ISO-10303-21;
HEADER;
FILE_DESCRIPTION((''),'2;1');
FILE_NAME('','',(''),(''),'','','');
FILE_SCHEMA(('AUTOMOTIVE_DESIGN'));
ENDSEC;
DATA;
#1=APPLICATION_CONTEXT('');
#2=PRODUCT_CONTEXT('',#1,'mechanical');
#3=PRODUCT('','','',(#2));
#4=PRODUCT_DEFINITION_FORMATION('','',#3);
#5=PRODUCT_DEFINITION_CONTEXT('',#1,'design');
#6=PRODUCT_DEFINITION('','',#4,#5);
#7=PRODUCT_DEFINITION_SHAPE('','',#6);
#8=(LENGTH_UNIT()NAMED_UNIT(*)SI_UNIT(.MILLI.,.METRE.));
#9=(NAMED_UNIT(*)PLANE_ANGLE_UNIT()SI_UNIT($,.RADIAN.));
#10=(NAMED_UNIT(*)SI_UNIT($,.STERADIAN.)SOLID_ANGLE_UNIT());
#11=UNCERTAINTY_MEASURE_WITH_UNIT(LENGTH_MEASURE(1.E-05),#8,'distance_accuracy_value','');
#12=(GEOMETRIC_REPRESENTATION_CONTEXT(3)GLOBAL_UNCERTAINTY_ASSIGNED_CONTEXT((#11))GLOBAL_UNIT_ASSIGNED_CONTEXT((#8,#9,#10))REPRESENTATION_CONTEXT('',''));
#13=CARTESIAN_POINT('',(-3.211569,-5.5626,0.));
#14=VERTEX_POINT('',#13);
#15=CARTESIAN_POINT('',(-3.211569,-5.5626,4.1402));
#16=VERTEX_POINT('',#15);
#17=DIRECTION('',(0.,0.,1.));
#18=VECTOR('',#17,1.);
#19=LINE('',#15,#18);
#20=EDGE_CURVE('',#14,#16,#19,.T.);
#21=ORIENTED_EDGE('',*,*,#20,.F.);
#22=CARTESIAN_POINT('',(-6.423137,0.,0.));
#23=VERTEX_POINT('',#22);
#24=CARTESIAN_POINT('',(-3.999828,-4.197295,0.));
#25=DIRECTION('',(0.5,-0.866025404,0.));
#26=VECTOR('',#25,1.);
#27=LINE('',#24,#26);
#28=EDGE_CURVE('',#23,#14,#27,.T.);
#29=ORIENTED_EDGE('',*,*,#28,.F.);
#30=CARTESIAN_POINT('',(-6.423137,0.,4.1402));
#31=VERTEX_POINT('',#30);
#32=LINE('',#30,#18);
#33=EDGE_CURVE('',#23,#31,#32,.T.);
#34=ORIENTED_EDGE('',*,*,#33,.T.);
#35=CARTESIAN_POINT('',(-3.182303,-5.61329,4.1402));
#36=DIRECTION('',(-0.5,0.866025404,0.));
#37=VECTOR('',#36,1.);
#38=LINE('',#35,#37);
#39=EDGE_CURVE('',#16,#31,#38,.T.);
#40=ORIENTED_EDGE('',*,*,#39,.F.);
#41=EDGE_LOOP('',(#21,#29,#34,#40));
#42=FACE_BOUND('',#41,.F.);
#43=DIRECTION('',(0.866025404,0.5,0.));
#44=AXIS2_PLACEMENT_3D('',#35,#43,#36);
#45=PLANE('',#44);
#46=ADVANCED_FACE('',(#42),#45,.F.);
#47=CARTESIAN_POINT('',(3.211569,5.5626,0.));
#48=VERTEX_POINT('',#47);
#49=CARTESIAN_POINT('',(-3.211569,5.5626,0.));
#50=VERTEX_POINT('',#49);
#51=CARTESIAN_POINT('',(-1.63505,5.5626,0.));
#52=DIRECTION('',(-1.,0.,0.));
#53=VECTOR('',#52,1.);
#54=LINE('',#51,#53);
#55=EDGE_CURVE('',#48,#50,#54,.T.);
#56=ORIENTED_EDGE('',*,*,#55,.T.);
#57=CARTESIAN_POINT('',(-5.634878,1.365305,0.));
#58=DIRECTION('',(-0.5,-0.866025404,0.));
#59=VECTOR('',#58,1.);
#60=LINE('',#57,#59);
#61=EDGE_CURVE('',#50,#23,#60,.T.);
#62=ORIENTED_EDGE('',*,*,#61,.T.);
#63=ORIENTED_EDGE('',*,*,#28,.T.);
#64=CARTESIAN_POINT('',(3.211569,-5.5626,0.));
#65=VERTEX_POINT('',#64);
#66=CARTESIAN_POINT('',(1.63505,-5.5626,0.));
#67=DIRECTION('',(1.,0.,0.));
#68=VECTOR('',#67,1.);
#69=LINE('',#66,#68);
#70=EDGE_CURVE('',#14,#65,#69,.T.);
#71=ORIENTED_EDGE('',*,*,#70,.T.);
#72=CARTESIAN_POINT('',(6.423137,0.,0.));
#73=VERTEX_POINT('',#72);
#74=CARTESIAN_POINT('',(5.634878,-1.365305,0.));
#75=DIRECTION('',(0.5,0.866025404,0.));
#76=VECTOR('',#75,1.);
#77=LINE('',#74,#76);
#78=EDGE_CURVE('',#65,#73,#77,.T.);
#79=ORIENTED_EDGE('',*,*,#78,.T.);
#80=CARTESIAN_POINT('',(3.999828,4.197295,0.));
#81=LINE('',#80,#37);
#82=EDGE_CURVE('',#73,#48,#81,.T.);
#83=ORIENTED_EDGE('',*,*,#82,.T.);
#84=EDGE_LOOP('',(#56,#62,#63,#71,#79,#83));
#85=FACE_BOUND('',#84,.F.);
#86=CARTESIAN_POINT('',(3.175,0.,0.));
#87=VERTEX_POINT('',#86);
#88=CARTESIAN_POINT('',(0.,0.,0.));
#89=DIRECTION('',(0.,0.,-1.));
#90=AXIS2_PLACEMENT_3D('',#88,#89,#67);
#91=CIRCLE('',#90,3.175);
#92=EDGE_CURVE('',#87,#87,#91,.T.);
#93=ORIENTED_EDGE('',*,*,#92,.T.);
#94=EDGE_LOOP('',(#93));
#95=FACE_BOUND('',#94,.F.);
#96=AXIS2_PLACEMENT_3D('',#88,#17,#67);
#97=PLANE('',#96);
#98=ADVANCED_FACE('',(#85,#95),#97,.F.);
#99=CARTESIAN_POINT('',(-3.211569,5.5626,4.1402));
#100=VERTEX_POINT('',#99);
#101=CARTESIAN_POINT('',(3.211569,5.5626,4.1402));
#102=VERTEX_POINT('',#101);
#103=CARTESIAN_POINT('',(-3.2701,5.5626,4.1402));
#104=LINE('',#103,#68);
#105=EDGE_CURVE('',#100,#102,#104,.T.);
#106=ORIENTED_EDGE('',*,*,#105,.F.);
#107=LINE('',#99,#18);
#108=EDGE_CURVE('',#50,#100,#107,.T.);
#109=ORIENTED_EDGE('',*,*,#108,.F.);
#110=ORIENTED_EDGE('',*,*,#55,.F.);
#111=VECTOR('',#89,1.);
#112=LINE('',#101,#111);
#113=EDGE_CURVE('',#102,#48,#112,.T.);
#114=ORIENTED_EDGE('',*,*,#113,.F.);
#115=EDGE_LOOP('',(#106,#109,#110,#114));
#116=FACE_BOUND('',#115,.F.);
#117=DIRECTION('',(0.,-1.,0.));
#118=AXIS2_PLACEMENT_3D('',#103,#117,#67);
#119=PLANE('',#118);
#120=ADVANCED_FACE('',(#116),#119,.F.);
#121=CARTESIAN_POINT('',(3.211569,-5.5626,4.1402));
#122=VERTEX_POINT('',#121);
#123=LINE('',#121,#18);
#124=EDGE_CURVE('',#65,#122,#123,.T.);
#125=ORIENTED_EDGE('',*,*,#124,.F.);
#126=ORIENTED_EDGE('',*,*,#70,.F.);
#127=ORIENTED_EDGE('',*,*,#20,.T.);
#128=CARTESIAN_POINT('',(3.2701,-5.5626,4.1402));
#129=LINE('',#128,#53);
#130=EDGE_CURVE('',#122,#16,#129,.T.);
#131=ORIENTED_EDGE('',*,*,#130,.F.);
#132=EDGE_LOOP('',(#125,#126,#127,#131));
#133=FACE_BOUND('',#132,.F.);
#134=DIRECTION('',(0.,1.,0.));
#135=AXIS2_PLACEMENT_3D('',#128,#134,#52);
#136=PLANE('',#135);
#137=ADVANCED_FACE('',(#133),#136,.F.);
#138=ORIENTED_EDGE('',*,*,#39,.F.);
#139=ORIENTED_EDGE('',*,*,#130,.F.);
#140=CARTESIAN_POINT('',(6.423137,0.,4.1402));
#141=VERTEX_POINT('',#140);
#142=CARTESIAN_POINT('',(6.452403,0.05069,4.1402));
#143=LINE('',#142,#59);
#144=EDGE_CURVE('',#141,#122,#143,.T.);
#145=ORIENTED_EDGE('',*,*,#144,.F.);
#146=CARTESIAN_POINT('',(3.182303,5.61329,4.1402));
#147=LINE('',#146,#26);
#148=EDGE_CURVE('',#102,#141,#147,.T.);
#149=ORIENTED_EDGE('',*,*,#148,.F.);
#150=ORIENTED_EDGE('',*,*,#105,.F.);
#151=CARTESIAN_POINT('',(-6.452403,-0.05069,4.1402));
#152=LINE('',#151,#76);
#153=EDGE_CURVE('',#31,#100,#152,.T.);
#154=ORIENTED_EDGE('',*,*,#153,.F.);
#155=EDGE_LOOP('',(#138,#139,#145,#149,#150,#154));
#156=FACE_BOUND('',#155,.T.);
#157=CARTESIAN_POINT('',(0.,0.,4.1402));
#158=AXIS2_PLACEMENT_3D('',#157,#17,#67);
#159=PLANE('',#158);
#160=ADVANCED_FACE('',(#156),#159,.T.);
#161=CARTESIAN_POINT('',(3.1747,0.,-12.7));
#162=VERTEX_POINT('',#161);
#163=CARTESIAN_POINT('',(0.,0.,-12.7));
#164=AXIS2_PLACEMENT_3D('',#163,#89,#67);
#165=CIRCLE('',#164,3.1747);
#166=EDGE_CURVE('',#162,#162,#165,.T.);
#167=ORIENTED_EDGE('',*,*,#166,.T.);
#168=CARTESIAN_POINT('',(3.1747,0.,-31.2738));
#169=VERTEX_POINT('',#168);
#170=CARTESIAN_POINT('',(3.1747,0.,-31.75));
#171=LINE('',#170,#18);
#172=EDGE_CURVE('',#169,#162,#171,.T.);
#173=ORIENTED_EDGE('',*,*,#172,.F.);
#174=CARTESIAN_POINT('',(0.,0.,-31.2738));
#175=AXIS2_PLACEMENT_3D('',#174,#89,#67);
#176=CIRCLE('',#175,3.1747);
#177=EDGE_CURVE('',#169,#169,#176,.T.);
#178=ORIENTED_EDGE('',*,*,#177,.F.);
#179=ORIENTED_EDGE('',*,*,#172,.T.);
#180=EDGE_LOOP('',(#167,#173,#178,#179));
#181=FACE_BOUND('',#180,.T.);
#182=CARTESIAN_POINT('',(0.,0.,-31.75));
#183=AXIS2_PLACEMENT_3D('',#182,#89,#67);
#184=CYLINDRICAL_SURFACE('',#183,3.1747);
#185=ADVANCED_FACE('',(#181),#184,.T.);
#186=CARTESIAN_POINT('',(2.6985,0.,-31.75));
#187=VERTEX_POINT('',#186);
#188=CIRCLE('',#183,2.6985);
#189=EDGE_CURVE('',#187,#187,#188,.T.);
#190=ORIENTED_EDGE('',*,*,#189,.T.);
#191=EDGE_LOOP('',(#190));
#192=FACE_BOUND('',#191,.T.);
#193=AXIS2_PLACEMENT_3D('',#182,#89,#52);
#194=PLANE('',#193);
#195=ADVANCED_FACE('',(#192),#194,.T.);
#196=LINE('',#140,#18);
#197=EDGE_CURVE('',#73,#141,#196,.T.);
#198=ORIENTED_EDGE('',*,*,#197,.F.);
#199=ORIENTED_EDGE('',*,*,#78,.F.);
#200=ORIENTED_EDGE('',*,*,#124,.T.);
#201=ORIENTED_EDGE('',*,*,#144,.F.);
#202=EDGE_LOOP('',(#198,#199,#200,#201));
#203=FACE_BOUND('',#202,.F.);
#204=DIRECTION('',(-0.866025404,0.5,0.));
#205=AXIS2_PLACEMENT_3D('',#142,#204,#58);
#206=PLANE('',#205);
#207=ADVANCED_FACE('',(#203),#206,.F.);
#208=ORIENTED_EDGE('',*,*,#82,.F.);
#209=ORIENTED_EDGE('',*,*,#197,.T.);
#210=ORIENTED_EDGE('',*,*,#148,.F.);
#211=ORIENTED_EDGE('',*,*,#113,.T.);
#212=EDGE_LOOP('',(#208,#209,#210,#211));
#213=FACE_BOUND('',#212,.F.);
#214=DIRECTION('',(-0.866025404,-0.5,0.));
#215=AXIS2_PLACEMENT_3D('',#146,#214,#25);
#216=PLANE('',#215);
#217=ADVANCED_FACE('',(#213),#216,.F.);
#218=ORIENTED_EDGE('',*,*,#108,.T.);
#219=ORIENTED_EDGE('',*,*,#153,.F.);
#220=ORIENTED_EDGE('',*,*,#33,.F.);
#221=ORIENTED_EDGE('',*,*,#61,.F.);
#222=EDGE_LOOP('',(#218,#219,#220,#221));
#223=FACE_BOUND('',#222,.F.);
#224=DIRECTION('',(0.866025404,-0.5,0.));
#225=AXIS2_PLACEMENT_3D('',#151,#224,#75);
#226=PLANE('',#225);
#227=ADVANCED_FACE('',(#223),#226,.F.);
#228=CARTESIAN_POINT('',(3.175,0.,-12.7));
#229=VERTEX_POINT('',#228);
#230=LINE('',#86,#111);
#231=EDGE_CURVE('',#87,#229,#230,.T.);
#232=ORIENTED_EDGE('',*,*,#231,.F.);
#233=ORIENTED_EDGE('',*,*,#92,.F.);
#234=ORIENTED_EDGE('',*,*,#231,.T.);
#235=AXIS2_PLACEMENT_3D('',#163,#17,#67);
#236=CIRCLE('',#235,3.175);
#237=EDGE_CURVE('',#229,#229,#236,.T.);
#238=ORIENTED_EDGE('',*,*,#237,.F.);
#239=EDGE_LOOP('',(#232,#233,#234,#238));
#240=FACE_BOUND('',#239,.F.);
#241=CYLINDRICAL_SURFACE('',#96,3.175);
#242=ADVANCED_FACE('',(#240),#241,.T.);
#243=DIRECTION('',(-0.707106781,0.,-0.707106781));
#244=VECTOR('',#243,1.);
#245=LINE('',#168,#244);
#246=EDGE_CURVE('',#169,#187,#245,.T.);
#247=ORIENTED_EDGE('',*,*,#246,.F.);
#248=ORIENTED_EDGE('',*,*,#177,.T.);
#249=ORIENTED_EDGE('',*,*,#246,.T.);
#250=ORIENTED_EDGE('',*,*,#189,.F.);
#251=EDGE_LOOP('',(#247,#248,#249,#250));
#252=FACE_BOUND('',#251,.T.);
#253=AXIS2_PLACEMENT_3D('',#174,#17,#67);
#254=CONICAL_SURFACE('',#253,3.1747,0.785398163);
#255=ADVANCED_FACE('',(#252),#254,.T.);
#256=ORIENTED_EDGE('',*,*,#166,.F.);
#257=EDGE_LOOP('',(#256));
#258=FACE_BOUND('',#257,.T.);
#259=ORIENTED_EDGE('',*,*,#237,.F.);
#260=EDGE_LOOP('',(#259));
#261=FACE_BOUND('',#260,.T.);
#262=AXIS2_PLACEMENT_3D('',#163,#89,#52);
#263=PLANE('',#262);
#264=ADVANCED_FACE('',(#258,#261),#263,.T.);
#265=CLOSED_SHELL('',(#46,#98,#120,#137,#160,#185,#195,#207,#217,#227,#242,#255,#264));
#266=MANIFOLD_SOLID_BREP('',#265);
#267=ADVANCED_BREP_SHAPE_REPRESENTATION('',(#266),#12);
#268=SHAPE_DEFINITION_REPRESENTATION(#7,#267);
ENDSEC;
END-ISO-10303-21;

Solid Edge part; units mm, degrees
sketch "Sketch1" plane through (0, 0, 0) normal (0, 0, 1) x (1, 0, 0)
  circle A0 centre (0, 0) radius 6.4526
  dimension "D1" = 12.9052
extrude "Protrusion1" add sketch "Sketch1" along normal blind 4.1402
sketch "Sketch2" plane through (0, 0, 0) normal (0, 0, -1) x (1, 0, 0)
  circle A0 centre (0, 0) radius 3.175
extrude "Protrusion2" add sketch "Sketch2" along normal blind 31.75
sketch "Sketch3" plane through (0, 0, -31.75) normal (0, 0, -1) x (1, 0, 0)
  circle A0 centre (0, 0) radius 3.1747
extrude "Cutout1" cut sketch "Sketch3" against normal blind 19.05 flip side to cut
chamfer "Chamfer_1" distance 0.4762 angle 45 1 edges at (-3.1747, 0, -31.75)
sketch "Sketch4" plane through (0, 0, 4.1402) normal (0, 0, 1) x (1, 0, 0)
  line L0 (-3.2701, 5.5626) -> (3.2701, 5.5626)
  dimension "D1" = 11.1252
extrude "Cutout2" cut sketch "Sketch4" against normal up to next material side at (0, 5.6126, 4.1402)
pattern_circular "Pattern1" count 6 over 360 about axis through (0, 0, 4.1402) along (0, 0, 1) of "Cutout2"
properties part number "24100063"
